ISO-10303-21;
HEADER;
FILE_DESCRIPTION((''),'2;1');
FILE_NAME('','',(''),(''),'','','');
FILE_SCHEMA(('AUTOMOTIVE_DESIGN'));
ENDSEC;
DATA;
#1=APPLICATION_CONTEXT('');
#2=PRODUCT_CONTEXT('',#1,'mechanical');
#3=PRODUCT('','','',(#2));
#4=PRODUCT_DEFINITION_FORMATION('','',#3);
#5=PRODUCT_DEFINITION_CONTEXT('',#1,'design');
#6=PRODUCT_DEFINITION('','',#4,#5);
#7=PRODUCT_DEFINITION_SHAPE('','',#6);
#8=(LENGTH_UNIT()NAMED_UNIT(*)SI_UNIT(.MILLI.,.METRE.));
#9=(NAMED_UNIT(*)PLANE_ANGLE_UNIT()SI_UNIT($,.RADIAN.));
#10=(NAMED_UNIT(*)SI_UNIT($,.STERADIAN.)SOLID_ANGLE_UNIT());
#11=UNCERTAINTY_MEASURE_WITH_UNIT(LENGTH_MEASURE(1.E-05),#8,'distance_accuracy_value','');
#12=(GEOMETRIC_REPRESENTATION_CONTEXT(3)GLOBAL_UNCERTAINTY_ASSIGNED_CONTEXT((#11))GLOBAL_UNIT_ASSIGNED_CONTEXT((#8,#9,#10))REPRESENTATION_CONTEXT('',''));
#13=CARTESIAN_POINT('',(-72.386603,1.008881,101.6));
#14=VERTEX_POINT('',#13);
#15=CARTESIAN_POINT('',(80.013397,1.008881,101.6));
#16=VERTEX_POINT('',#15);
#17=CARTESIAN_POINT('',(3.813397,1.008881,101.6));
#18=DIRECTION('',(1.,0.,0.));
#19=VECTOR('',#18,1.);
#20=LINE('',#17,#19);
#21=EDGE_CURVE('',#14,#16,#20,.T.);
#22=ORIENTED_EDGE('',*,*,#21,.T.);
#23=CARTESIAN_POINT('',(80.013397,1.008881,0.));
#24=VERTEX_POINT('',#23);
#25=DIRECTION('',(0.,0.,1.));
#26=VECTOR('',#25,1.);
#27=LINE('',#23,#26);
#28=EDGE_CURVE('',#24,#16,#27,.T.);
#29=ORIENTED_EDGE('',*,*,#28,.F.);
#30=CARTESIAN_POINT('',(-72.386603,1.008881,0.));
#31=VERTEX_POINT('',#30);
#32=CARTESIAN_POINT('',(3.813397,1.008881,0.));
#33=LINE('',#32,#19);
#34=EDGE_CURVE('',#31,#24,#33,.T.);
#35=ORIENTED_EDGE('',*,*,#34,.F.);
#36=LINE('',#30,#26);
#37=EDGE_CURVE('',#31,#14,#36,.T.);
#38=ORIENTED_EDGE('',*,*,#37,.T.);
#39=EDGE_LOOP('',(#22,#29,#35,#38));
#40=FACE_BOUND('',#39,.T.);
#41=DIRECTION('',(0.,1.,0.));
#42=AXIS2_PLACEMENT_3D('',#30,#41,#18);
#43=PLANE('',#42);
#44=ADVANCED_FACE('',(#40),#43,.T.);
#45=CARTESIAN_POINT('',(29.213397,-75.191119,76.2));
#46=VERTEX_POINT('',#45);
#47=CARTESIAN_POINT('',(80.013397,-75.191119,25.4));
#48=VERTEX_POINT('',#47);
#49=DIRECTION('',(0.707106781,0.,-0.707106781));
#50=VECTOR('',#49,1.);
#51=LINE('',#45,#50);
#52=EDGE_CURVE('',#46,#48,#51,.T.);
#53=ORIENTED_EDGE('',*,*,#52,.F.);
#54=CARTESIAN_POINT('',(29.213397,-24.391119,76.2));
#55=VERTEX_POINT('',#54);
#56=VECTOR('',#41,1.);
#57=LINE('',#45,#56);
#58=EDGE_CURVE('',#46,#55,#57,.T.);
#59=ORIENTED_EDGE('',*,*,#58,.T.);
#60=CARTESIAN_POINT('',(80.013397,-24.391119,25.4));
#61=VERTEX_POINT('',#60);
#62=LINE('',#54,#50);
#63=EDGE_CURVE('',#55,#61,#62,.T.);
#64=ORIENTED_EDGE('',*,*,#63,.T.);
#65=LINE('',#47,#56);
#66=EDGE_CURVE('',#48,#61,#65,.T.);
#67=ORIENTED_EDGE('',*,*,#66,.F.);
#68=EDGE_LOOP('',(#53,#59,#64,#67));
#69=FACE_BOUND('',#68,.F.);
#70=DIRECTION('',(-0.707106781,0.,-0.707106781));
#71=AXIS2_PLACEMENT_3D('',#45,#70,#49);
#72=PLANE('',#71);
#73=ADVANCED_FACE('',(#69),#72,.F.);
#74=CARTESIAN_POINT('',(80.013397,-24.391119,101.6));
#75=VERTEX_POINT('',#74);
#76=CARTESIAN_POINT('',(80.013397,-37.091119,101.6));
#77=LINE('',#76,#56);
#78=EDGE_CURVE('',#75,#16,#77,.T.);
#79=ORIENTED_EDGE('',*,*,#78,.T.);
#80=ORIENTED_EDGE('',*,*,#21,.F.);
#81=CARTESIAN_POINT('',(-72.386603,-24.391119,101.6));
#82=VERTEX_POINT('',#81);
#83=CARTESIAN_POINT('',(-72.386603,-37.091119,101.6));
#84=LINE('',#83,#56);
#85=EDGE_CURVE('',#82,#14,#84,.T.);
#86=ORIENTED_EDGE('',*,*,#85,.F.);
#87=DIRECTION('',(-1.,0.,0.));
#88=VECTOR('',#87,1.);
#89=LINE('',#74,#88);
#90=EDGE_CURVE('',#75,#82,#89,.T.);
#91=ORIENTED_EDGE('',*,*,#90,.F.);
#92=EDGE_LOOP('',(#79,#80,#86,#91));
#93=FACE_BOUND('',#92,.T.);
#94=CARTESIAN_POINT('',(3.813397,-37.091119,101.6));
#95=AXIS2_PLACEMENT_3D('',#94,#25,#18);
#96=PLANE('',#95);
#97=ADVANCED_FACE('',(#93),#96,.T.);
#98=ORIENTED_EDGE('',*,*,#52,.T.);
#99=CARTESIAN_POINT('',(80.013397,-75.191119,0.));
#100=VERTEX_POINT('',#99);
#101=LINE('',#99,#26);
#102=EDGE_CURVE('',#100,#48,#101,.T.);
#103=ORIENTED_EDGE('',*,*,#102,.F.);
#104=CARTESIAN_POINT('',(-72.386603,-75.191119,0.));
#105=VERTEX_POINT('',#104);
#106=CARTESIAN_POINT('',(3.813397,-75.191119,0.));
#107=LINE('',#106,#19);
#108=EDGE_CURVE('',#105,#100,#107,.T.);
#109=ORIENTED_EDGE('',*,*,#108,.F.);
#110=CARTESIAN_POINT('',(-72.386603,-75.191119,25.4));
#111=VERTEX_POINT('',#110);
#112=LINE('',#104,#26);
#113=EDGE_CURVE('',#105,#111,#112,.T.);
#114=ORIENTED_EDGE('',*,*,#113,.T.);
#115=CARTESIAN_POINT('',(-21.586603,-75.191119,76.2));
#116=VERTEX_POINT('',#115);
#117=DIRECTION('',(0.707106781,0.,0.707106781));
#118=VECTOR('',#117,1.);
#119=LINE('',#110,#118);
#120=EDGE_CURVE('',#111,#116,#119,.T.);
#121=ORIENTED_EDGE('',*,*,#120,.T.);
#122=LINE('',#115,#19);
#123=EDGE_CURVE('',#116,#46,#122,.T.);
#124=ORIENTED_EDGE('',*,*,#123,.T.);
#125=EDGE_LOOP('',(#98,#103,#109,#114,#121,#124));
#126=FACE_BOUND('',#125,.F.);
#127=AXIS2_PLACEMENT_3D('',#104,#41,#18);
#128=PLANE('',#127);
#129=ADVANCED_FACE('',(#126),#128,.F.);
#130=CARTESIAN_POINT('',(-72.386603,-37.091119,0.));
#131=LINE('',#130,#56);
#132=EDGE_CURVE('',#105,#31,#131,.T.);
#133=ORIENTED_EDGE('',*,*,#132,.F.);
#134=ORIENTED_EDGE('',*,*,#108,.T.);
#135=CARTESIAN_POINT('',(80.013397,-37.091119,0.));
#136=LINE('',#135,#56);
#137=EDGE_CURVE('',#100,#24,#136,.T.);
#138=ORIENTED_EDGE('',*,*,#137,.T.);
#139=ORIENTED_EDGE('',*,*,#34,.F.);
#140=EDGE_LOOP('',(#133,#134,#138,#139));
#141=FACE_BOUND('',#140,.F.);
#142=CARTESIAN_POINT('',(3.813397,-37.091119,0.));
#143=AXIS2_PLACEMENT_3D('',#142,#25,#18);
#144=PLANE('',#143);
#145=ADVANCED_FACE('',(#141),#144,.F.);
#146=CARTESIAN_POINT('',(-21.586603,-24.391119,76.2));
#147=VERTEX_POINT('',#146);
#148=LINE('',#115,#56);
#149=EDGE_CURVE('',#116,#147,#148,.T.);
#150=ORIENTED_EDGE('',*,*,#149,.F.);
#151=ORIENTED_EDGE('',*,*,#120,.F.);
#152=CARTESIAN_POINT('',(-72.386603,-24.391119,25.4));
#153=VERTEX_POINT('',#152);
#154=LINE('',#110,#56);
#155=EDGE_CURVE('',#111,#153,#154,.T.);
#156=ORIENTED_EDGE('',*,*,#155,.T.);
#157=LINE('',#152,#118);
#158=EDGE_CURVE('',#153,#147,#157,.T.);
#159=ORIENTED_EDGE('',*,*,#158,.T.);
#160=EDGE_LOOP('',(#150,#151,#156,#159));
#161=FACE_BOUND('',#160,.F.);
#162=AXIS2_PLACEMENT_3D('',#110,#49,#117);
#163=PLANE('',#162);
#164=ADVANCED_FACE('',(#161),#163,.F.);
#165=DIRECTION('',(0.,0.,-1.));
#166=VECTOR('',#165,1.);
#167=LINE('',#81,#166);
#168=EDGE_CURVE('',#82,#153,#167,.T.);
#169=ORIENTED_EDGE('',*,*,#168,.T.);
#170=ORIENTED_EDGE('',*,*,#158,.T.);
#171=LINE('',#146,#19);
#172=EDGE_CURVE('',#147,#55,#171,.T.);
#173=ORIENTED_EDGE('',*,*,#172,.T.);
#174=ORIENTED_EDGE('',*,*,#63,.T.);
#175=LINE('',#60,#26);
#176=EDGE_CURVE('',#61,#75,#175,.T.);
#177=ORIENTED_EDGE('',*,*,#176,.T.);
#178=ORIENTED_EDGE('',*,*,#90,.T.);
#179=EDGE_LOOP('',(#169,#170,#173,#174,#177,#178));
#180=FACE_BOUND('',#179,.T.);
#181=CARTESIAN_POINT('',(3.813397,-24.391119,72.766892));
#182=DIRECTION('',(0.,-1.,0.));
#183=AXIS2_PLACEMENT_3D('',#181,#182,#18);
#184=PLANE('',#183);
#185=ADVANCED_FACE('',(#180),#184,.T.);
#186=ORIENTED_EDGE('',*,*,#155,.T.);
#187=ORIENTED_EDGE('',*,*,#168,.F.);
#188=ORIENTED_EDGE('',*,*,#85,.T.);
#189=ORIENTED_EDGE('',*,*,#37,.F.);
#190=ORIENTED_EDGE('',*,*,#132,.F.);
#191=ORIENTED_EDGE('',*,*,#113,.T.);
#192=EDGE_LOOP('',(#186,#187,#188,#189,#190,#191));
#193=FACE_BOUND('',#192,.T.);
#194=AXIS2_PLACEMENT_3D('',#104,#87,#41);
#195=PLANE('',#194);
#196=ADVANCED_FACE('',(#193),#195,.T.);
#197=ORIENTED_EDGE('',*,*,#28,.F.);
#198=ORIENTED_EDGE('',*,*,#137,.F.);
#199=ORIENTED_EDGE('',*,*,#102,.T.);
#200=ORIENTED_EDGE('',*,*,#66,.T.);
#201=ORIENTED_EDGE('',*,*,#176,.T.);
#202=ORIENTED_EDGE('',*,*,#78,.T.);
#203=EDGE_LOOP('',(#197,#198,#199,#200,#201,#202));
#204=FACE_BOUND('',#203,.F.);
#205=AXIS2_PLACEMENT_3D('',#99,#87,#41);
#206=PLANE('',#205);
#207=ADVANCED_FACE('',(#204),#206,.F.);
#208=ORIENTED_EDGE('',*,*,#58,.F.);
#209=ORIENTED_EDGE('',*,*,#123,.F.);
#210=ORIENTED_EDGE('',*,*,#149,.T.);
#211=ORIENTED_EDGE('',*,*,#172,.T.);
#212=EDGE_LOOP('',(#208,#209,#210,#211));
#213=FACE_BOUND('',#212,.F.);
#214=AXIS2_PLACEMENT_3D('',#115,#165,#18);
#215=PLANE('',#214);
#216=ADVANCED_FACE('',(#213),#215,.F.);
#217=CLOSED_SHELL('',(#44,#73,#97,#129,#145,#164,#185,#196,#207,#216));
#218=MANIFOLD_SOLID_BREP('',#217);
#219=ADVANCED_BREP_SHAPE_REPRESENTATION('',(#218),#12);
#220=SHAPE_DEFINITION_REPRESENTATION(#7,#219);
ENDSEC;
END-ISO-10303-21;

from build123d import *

# Parameters (mm, degrees)
F0_W     = 152.4
F0_H     = 76.2
F1_DEPTH = 101.6
F3_DEPTH = 50.8


with BuildPart() as f1:
    # F0 (on Top) → F1 (new body)
    with BuildSketch(Plane.XY):
        with Locations((3.813397, -37.091119)):
            Rectangle(F0_W, F0_H)
    extrude(amount=F1_DEPTH)

    # F2 (on face) → F3 (cut)
    with BuildSketch(Plane.XZ.offset(75.191119)):
        Polygon((29.213397, 76.2), (80.013397, 25.4), (80.013397, 101.6), (-72.386603, 101.6), (-72.386603, 25.4), (-21.586603, 76.2), align=None)
    extrude(amount=-F3_DEPTH, mode=Mode.SUBTRACT)


solid = f1.part
